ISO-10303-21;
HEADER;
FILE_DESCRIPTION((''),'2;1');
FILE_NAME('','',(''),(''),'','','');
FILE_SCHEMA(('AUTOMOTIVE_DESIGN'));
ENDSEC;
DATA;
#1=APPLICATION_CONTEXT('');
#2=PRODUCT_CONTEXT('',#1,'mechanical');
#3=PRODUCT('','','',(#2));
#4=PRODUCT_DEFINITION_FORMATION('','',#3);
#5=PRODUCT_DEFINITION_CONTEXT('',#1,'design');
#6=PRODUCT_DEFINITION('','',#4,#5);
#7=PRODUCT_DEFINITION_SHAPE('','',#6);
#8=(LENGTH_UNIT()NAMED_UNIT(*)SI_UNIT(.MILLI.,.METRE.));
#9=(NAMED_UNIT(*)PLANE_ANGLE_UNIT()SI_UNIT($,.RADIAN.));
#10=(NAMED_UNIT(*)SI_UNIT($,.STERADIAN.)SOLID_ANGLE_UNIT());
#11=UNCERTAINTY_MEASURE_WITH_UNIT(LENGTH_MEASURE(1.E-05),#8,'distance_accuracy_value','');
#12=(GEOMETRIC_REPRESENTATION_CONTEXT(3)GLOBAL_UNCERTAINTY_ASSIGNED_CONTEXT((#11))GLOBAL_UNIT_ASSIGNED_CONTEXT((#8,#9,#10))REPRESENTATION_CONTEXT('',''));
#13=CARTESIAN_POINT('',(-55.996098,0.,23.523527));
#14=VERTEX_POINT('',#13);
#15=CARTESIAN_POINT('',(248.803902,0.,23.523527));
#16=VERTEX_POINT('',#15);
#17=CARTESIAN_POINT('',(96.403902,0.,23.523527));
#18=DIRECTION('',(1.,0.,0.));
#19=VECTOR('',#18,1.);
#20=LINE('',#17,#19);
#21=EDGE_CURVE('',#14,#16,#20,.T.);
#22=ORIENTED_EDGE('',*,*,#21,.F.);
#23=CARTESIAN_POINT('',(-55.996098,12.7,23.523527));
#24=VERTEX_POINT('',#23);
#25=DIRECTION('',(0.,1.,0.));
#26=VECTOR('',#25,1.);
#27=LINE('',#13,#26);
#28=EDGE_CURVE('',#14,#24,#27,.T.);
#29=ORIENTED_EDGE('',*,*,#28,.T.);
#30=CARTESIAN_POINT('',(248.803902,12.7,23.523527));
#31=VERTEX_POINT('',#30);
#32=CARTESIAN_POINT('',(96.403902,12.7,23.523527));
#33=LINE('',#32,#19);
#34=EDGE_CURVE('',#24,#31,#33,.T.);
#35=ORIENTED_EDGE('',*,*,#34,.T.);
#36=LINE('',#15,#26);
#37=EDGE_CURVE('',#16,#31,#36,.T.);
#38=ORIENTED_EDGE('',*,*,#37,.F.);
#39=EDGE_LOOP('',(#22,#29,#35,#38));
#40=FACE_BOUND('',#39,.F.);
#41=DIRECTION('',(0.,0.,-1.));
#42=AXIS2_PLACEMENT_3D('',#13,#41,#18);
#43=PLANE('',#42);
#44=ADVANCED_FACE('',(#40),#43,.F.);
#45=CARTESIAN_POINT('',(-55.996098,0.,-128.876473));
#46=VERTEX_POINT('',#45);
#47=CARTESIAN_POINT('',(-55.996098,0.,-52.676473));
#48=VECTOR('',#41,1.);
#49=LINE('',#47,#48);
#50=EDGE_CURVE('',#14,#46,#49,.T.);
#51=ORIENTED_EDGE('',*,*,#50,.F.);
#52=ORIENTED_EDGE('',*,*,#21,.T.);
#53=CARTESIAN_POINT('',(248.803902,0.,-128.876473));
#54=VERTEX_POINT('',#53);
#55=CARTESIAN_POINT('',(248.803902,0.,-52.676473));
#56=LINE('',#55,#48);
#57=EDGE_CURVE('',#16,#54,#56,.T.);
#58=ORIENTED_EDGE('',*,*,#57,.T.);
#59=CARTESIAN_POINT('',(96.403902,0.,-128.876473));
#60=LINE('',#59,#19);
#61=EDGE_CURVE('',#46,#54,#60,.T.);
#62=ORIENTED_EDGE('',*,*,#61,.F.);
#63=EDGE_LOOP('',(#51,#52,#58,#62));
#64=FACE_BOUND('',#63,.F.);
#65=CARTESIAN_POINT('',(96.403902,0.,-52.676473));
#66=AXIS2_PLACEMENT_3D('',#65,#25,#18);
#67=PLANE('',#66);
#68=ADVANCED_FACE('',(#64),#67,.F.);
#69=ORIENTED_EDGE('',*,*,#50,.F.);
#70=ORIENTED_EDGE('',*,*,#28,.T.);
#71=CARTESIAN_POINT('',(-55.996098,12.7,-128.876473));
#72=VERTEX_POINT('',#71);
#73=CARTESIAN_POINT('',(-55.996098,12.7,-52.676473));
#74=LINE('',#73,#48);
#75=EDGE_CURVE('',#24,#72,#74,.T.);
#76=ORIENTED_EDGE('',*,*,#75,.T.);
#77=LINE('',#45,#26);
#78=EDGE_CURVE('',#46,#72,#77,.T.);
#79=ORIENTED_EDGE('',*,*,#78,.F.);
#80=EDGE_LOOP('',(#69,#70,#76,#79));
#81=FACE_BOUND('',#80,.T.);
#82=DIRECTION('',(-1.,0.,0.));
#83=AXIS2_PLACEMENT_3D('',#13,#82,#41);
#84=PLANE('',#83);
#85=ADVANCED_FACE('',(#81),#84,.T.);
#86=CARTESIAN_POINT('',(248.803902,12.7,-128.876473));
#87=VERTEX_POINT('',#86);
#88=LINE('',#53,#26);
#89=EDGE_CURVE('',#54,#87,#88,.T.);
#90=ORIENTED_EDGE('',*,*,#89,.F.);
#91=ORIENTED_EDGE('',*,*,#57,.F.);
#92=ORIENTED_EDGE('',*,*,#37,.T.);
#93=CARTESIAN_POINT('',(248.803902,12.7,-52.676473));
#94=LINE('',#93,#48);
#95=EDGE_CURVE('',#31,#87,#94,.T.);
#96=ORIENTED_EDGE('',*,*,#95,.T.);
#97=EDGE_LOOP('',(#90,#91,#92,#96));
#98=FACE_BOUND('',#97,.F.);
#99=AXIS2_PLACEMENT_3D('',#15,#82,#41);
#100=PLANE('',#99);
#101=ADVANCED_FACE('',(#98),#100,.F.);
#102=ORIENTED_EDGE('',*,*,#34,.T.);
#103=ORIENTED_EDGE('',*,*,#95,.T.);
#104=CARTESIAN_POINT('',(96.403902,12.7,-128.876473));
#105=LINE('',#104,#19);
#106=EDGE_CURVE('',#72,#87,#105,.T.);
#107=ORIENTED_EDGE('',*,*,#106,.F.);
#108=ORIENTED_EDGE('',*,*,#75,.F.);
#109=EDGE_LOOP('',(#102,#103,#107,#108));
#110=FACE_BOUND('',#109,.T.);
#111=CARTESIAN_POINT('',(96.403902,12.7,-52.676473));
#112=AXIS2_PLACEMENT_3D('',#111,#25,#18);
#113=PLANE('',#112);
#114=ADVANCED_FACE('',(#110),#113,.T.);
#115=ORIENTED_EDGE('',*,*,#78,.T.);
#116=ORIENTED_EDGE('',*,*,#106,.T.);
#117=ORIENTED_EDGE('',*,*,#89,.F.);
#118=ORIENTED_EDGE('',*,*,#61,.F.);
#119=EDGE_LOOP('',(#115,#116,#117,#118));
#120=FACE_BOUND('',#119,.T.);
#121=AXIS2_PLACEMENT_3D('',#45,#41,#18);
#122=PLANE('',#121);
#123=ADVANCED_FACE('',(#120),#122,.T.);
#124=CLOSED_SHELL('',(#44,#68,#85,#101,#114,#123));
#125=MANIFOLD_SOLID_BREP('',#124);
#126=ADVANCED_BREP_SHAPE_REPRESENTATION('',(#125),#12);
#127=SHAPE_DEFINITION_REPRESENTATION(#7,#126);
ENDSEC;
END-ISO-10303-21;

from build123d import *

# Parameters (mm, degrees)
SKETCH1_W           = 304.8
SKETCH1_H           = 152.4
BOSS_EXTRUDE1_DEPTH = 12.7


with BuildPart() as part:
    # Sketch1 → Boss-Extrude1 (new body)
    with BuildSketch(Plane(origin=(0, 0, 0), x_dir=(1, 0, 0), z_dir=(0, 1, 0))):
        with Locations((96.403902054, 52.676472888)):
            Rectangle(SKETCH1_W, SKETCH1_H)
    extrude(amount=BOSS_EXTRUDE1_DEPTH)


solid = part.part
